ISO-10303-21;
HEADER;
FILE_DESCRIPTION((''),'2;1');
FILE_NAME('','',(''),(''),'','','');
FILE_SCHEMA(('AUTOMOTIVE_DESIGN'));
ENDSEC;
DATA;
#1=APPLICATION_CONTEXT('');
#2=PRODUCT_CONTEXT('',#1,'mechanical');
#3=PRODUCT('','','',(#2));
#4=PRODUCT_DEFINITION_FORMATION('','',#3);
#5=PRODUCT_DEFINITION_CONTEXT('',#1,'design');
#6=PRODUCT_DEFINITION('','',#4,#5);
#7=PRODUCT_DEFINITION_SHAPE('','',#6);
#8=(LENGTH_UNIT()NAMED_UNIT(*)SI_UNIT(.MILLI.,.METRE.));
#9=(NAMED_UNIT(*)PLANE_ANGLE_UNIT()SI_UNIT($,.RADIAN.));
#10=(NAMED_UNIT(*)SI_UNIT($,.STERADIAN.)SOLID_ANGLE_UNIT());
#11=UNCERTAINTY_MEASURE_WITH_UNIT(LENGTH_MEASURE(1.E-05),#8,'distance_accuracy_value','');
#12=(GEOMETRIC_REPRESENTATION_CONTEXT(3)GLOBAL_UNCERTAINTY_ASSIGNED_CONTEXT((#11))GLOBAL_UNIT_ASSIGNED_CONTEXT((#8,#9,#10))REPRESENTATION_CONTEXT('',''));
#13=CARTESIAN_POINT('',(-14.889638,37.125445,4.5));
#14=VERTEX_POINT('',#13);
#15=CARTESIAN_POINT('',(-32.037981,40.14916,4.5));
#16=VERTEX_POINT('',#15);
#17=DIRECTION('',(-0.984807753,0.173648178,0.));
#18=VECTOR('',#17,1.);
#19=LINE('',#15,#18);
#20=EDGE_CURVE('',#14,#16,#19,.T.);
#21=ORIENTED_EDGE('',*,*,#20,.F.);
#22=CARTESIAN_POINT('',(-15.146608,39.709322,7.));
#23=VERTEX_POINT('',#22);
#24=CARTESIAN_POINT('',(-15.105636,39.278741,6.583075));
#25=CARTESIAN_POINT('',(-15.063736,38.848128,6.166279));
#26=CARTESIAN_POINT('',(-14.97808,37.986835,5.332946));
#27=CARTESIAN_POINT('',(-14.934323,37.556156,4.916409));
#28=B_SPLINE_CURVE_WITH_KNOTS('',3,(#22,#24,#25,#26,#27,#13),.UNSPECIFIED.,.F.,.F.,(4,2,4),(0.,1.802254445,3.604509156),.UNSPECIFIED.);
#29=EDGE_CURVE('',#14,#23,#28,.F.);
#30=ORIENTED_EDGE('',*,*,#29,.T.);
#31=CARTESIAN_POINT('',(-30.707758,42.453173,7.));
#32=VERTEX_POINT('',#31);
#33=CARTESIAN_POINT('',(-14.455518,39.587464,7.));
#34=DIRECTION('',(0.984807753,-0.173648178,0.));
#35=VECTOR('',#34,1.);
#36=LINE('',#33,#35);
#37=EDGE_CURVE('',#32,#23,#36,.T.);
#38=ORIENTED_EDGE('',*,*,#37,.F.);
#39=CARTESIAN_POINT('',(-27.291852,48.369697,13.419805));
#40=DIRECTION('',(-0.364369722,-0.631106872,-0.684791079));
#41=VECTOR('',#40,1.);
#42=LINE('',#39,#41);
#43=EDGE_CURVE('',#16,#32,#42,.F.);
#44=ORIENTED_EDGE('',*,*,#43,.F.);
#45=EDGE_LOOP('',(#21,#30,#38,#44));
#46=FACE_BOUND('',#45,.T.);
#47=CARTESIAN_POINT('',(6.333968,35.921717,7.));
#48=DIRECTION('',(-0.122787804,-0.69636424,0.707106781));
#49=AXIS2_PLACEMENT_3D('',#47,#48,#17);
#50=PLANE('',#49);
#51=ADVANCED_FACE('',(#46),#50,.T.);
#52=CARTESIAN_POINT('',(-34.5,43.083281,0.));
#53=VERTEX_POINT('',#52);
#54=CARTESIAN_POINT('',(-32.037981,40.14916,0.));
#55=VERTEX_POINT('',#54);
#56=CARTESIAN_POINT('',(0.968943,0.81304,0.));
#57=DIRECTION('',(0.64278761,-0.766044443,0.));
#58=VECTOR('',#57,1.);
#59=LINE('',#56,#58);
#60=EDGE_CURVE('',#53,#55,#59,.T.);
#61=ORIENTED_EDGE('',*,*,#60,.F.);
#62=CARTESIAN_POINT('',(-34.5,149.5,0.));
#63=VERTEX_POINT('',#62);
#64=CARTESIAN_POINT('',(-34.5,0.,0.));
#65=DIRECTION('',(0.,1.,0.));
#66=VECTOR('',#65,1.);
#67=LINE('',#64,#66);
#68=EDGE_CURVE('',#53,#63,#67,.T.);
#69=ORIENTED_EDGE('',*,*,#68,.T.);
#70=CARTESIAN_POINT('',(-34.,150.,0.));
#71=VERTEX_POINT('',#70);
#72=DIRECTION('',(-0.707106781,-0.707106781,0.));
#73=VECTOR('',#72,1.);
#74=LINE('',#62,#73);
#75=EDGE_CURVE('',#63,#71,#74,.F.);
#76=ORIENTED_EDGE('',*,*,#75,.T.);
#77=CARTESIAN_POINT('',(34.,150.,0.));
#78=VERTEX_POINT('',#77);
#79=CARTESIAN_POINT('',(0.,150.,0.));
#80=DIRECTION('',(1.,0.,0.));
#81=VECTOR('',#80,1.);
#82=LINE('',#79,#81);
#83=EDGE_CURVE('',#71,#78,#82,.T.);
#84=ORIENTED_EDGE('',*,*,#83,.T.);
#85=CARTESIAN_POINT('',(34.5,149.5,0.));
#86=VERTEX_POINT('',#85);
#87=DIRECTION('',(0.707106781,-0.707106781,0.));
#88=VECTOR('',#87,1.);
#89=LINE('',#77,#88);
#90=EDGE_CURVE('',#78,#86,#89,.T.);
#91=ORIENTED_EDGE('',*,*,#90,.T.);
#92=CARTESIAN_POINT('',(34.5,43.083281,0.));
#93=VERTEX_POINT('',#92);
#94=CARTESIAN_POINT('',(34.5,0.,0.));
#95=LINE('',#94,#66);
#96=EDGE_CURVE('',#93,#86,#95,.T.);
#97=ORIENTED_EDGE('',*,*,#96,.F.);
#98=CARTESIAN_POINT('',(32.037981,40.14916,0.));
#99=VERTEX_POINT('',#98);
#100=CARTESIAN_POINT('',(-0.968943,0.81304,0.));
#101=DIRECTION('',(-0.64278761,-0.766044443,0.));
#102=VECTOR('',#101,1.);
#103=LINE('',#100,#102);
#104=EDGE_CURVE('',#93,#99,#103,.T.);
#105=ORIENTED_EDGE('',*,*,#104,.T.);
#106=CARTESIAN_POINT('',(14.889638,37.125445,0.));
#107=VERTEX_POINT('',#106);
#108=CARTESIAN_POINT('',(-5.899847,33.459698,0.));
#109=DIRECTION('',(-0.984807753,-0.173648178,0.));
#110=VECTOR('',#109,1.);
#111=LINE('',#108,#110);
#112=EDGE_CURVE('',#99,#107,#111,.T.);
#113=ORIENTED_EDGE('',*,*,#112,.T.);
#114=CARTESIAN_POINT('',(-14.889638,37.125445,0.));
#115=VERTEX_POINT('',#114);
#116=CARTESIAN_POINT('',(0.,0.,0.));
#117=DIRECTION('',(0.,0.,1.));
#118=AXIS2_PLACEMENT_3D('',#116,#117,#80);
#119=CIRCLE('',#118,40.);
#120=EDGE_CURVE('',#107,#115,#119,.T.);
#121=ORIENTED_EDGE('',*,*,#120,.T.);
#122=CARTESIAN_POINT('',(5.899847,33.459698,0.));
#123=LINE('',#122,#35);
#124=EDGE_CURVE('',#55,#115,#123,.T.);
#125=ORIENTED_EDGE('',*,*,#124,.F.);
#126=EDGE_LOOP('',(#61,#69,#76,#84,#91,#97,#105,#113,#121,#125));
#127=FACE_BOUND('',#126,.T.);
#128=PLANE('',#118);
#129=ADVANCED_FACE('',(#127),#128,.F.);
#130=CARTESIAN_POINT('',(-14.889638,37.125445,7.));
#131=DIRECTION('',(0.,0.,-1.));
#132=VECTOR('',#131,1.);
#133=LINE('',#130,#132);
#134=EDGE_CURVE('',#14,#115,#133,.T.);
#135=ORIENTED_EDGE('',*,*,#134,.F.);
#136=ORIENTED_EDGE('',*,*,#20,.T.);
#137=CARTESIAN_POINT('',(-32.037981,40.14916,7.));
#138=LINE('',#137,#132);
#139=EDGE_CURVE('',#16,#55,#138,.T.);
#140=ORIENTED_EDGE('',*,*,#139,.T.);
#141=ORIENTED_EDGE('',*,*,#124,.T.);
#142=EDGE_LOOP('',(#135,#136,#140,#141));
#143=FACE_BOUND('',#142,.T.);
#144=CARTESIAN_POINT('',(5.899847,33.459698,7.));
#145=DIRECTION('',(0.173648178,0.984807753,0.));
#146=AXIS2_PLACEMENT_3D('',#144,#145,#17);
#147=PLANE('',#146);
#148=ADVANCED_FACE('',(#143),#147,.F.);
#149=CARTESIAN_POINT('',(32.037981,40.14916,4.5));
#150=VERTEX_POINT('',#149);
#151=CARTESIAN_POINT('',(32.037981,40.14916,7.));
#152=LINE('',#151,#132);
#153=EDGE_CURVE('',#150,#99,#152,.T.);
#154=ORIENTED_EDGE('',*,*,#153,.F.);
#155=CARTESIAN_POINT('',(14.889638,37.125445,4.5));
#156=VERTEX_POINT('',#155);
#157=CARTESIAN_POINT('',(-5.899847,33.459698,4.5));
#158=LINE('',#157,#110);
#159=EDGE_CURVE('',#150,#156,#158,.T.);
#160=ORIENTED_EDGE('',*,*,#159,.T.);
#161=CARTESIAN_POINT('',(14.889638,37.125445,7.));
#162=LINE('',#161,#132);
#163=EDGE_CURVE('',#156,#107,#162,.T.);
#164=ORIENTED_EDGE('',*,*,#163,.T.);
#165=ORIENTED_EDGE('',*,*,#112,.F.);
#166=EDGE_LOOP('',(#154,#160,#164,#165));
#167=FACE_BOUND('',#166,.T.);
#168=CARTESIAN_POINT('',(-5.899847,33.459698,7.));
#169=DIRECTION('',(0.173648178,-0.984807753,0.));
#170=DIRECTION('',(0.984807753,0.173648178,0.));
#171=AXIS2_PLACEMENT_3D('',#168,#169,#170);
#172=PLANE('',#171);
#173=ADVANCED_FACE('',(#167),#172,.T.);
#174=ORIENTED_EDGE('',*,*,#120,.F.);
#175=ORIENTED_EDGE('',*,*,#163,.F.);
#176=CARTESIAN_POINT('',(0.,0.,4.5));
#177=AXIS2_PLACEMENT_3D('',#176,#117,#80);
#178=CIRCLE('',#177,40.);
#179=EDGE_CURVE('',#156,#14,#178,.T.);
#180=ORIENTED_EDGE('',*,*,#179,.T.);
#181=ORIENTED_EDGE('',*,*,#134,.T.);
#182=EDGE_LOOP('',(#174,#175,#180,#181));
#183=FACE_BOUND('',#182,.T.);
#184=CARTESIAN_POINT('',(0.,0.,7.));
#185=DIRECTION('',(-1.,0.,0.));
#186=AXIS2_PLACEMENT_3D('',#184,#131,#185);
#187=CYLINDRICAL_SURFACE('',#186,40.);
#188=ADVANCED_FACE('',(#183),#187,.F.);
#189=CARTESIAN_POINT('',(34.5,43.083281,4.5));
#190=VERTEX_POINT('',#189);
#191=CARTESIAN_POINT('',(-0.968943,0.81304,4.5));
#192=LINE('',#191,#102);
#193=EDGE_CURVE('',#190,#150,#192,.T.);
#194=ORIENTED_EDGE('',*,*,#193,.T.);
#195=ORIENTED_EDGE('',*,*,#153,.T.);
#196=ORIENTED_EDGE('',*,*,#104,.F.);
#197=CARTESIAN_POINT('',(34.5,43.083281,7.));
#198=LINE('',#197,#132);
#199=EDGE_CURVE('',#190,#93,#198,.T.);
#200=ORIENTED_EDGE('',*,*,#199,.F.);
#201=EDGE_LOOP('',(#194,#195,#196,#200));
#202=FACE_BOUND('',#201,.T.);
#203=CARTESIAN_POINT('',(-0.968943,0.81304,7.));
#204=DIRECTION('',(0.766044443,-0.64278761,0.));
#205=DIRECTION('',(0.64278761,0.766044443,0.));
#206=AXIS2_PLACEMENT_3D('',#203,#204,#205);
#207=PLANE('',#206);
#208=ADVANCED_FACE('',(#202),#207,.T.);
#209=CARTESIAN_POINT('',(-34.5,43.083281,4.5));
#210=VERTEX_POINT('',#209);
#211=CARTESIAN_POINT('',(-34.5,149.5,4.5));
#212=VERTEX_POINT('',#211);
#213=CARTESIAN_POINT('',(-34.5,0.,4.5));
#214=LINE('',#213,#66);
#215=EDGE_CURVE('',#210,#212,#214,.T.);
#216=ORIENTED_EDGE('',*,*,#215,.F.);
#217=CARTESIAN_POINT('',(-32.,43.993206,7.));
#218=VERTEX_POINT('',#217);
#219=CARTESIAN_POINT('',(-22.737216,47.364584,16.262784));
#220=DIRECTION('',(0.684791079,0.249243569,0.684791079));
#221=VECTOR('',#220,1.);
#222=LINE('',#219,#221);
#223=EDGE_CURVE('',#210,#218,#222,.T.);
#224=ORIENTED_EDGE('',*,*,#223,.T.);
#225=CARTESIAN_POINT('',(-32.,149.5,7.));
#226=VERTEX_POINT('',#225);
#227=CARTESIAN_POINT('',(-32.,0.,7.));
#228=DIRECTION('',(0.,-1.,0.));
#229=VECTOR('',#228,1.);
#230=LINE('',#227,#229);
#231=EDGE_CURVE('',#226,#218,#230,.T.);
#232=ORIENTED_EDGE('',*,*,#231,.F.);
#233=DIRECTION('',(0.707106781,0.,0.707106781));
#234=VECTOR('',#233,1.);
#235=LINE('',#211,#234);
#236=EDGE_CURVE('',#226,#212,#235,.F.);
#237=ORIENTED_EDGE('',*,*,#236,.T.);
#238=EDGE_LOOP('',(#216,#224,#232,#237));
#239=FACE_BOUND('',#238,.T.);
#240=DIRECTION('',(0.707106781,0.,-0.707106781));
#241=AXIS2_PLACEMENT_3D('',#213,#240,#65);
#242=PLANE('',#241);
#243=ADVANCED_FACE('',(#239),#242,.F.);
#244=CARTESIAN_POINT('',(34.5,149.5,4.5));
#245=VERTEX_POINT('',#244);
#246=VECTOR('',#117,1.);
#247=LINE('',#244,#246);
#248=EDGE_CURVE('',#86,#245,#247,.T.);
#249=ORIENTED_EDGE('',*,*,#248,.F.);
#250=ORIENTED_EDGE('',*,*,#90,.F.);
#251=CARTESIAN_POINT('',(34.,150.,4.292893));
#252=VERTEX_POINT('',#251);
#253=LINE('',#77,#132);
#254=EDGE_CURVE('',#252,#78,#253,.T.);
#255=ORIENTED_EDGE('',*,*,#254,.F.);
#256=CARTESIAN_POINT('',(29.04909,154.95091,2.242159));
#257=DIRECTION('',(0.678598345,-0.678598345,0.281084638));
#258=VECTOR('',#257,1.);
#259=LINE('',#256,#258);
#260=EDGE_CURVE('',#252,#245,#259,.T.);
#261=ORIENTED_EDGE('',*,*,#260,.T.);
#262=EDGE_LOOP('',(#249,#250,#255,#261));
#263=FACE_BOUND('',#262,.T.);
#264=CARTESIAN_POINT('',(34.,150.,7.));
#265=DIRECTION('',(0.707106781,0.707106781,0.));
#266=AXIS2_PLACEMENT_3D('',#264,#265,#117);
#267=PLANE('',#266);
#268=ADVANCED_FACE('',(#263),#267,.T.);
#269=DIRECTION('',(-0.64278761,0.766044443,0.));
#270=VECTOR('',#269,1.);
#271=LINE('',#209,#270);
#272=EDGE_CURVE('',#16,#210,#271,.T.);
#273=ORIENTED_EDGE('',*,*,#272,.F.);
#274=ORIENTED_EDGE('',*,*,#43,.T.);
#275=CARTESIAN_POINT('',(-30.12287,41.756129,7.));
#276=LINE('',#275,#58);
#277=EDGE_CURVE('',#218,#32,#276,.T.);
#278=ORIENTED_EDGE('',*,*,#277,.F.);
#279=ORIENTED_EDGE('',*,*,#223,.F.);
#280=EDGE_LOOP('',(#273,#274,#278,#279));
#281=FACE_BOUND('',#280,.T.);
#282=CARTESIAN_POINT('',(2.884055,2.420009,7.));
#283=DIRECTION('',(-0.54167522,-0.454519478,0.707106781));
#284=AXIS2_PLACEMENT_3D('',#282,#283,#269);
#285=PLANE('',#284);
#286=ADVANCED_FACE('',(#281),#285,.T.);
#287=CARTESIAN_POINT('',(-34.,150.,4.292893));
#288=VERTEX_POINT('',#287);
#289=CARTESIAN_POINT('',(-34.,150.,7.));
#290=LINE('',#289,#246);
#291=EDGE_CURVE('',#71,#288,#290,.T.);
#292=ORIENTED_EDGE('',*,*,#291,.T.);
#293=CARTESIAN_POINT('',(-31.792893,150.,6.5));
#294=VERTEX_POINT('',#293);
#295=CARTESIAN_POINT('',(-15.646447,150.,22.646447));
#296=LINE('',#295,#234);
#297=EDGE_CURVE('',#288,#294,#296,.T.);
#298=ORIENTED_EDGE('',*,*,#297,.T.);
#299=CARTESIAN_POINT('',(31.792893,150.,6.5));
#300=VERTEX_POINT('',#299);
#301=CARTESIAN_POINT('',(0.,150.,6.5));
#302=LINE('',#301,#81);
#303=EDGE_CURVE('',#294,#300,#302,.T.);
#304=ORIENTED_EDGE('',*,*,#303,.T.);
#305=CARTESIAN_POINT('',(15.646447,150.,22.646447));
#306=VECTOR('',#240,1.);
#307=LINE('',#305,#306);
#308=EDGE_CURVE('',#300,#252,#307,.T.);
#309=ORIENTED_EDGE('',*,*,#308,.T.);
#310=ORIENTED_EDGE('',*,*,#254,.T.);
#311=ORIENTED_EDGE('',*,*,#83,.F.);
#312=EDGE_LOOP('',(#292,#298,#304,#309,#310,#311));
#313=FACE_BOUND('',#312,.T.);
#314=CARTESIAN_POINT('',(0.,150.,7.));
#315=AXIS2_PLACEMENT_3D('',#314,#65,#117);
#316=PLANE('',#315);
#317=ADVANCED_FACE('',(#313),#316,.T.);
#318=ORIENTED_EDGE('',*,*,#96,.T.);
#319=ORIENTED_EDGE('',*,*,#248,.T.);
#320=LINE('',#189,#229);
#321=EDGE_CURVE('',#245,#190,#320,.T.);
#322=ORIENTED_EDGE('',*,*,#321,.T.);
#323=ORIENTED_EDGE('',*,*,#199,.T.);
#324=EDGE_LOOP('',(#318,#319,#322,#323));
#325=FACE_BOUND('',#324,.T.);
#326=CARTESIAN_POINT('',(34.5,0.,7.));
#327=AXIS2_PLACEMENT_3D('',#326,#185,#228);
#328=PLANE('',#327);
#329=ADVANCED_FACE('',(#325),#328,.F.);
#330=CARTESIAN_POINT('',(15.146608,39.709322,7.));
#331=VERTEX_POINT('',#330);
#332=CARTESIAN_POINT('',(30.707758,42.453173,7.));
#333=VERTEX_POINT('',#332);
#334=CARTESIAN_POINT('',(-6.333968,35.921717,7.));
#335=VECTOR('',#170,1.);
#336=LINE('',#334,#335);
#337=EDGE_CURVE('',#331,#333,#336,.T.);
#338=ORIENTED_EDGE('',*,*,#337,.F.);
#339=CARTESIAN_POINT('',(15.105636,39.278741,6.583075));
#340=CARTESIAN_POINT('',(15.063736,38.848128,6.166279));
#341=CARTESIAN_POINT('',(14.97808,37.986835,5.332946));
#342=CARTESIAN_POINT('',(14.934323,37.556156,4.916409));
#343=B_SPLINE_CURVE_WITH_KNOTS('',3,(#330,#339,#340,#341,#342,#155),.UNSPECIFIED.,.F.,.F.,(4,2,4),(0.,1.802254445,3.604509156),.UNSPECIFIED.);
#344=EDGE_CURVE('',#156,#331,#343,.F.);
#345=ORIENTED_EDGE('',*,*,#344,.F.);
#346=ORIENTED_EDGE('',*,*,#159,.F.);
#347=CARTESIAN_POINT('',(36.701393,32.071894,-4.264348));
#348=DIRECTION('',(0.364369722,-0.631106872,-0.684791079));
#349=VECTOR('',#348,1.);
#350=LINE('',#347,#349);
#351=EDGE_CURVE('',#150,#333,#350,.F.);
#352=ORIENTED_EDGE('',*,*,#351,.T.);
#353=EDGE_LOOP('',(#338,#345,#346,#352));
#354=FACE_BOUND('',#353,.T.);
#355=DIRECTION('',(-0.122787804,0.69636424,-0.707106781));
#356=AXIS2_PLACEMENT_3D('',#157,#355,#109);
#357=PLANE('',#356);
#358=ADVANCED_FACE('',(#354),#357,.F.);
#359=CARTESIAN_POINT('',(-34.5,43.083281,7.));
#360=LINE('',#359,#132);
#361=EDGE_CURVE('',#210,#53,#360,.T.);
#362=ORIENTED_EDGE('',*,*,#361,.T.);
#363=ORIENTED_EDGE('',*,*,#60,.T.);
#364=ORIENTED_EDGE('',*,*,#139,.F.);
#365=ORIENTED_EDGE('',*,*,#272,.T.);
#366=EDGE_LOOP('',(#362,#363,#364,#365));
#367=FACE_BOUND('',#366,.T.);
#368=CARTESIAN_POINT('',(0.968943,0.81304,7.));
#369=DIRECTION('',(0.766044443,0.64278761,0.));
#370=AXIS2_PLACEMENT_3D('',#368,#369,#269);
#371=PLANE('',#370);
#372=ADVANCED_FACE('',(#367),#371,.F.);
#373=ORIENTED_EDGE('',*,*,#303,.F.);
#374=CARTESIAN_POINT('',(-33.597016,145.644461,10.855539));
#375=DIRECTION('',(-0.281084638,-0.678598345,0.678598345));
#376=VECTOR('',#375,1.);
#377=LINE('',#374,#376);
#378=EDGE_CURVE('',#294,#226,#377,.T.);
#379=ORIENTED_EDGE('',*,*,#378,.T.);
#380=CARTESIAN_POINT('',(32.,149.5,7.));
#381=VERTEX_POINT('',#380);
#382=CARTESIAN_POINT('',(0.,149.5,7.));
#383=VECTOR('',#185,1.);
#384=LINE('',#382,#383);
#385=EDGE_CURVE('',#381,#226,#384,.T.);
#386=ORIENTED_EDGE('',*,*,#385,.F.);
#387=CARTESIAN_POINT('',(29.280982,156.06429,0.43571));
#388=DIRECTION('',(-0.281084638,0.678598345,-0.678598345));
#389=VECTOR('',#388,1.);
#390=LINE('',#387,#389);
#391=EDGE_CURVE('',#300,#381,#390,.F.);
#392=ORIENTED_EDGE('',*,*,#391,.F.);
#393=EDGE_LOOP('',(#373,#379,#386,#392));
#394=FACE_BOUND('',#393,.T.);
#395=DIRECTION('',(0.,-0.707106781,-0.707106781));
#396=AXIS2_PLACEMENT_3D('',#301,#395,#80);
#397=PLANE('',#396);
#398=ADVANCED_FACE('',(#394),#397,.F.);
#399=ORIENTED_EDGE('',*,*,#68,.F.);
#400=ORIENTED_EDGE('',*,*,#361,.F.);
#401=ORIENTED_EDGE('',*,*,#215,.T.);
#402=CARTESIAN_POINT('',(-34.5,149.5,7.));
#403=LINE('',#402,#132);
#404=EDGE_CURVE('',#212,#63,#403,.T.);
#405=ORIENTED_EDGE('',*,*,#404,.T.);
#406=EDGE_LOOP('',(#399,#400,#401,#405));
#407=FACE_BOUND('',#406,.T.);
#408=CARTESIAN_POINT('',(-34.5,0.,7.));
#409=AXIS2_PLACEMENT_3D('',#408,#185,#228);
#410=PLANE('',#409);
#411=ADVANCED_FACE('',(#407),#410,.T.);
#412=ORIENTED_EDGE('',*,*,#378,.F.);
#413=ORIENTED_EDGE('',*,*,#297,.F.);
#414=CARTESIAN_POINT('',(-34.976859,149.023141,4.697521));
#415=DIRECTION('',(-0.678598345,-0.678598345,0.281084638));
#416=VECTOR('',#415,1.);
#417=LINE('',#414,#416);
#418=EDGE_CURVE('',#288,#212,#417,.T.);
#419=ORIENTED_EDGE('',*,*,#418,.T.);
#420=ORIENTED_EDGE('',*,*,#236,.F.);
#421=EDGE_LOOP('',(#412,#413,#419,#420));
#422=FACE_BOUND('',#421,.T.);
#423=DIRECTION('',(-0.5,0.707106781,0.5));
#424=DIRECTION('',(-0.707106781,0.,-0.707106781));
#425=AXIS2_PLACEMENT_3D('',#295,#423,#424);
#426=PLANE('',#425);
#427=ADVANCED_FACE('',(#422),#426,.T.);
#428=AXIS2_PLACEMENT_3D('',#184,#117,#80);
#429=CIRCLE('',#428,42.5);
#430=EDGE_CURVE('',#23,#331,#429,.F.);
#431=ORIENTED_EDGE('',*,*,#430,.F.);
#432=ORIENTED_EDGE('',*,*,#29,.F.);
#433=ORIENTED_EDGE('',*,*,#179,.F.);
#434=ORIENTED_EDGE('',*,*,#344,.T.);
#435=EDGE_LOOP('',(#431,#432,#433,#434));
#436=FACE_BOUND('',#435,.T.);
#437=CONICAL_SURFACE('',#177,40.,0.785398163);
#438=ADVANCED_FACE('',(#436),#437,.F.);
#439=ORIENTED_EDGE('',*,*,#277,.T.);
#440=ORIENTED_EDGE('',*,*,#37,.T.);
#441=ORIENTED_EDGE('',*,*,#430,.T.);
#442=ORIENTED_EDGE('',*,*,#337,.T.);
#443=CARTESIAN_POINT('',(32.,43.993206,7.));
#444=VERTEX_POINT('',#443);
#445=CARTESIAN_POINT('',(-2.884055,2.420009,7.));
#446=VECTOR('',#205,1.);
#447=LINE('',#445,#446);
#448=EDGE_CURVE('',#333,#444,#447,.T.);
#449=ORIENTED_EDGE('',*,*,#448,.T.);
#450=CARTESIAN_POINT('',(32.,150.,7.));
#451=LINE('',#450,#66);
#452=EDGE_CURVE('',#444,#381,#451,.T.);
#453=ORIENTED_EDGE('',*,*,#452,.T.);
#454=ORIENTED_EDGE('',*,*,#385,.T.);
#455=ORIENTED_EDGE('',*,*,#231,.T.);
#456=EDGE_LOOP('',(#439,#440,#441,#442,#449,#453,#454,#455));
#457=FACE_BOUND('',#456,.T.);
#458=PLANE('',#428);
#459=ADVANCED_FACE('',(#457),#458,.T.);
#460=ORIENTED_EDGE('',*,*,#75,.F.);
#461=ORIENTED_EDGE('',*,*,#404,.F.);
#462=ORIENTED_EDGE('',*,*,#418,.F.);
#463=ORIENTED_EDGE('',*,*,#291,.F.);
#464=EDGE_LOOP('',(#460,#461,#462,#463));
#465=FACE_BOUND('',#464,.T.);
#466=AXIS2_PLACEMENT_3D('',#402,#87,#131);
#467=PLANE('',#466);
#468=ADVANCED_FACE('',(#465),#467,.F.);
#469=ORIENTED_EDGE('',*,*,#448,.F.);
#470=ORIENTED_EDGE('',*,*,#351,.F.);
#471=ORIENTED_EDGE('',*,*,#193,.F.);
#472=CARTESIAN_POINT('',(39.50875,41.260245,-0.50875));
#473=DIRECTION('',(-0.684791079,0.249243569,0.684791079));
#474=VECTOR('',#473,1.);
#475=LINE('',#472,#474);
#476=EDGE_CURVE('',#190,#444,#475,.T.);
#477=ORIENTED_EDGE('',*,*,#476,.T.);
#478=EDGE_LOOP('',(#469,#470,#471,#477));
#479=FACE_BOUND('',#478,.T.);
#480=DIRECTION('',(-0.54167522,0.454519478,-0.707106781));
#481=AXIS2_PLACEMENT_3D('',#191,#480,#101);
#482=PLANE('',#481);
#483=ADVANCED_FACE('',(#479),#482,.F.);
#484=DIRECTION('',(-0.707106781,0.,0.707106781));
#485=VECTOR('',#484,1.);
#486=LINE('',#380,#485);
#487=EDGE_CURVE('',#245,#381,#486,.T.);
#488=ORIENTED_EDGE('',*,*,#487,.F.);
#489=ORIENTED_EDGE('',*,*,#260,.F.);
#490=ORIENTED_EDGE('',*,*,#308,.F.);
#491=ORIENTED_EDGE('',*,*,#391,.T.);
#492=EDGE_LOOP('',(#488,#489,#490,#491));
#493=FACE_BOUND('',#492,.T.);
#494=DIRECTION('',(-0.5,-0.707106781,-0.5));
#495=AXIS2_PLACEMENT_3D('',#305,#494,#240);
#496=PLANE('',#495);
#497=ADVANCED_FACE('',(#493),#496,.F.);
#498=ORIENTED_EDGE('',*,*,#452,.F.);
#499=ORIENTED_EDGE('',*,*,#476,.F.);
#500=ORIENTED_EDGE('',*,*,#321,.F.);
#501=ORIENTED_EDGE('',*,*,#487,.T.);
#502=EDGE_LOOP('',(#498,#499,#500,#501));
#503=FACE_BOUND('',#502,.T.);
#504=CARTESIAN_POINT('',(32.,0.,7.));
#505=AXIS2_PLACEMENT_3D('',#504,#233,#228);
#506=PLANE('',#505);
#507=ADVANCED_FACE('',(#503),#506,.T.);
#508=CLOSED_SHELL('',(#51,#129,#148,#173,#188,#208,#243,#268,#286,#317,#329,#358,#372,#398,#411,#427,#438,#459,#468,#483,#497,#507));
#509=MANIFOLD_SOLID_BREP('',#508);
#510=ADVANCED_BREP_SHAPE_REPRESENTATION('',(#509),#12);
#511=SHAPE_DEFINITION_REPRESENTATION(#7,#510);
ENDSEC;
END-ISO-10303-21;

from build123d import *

# Parameters (mm, degrees)
BOSS_EXTRUDE1_DEPTH  = 7
F_2_5MM_CHAMFER_SIZE = 2.5
F_0_5MM_CHAMFER_SIZE = 0.5


with BuildPart() as part:
    # Sketch1 → Boss-Extrude1 (new body)
    with BuildSketch(Plane.XY):
        with BuildLine():
            Line((-32.037980617, 40.14916039), (-14.889638473, 37.125444996))
            ThreePointArc((-14.889638473, 37.125444996), (0, 40), (14.889638473, 37.125444996))
            Line((14.889638473, 37.125444996), (32.037980617, 40.14916039))
            Line((32.037980617, 40.14916039), (34.5, 43.083280834))
            Line((34.5, 43.083280834), (34.5, 150))
            Line((34.5, 150), (-34.5, 150))
            Line((-34.5, 150), (-34.5, 43.083280834))
            Line((-34.5, 43.083280834), (-32.037980617, 40.14916039))
        make_face()
    extrude(amount=BOSS_EXTRUDE1_DEPTH)

    # 2,5mm Chamfer
    f_2_5mm_chamfer_edges = [part.edges().sort_by_distance(p)[0] for p in [
        (23.463809545, 38.637302693, 7),
        (33.268990309, 41.616220612, 7),
        (34.5, 96.541640417, 7),
        (-34.5, 96.541640417, 7),
        (-33.268990309, 41.616220612, 7),
        (-23.463809545, 38.637302693, 7),
        (0, 40, 7),
    ]]
    chamfer(f_2_5mm_chamfer_edges, length=F_2_5MM_CHAMFER_SIZE)

    # 0,5mm Chamfer
    f_0_5mm_chamfer_edges = [part.edges().sort_by_distance(p)[0] for p in [
        (-34.5, 150, 2.25),
        (0, 150, 7),
        (34.5, 150, 2.25),
        (33.25, 150, 5.75),
        (-33.25, 150, 5.75),
    ]]
    chamfer(f_0_5mm_chamfer_edges, length=F_0_5MM_CHAMFER_SIZE)


solid = part.part
